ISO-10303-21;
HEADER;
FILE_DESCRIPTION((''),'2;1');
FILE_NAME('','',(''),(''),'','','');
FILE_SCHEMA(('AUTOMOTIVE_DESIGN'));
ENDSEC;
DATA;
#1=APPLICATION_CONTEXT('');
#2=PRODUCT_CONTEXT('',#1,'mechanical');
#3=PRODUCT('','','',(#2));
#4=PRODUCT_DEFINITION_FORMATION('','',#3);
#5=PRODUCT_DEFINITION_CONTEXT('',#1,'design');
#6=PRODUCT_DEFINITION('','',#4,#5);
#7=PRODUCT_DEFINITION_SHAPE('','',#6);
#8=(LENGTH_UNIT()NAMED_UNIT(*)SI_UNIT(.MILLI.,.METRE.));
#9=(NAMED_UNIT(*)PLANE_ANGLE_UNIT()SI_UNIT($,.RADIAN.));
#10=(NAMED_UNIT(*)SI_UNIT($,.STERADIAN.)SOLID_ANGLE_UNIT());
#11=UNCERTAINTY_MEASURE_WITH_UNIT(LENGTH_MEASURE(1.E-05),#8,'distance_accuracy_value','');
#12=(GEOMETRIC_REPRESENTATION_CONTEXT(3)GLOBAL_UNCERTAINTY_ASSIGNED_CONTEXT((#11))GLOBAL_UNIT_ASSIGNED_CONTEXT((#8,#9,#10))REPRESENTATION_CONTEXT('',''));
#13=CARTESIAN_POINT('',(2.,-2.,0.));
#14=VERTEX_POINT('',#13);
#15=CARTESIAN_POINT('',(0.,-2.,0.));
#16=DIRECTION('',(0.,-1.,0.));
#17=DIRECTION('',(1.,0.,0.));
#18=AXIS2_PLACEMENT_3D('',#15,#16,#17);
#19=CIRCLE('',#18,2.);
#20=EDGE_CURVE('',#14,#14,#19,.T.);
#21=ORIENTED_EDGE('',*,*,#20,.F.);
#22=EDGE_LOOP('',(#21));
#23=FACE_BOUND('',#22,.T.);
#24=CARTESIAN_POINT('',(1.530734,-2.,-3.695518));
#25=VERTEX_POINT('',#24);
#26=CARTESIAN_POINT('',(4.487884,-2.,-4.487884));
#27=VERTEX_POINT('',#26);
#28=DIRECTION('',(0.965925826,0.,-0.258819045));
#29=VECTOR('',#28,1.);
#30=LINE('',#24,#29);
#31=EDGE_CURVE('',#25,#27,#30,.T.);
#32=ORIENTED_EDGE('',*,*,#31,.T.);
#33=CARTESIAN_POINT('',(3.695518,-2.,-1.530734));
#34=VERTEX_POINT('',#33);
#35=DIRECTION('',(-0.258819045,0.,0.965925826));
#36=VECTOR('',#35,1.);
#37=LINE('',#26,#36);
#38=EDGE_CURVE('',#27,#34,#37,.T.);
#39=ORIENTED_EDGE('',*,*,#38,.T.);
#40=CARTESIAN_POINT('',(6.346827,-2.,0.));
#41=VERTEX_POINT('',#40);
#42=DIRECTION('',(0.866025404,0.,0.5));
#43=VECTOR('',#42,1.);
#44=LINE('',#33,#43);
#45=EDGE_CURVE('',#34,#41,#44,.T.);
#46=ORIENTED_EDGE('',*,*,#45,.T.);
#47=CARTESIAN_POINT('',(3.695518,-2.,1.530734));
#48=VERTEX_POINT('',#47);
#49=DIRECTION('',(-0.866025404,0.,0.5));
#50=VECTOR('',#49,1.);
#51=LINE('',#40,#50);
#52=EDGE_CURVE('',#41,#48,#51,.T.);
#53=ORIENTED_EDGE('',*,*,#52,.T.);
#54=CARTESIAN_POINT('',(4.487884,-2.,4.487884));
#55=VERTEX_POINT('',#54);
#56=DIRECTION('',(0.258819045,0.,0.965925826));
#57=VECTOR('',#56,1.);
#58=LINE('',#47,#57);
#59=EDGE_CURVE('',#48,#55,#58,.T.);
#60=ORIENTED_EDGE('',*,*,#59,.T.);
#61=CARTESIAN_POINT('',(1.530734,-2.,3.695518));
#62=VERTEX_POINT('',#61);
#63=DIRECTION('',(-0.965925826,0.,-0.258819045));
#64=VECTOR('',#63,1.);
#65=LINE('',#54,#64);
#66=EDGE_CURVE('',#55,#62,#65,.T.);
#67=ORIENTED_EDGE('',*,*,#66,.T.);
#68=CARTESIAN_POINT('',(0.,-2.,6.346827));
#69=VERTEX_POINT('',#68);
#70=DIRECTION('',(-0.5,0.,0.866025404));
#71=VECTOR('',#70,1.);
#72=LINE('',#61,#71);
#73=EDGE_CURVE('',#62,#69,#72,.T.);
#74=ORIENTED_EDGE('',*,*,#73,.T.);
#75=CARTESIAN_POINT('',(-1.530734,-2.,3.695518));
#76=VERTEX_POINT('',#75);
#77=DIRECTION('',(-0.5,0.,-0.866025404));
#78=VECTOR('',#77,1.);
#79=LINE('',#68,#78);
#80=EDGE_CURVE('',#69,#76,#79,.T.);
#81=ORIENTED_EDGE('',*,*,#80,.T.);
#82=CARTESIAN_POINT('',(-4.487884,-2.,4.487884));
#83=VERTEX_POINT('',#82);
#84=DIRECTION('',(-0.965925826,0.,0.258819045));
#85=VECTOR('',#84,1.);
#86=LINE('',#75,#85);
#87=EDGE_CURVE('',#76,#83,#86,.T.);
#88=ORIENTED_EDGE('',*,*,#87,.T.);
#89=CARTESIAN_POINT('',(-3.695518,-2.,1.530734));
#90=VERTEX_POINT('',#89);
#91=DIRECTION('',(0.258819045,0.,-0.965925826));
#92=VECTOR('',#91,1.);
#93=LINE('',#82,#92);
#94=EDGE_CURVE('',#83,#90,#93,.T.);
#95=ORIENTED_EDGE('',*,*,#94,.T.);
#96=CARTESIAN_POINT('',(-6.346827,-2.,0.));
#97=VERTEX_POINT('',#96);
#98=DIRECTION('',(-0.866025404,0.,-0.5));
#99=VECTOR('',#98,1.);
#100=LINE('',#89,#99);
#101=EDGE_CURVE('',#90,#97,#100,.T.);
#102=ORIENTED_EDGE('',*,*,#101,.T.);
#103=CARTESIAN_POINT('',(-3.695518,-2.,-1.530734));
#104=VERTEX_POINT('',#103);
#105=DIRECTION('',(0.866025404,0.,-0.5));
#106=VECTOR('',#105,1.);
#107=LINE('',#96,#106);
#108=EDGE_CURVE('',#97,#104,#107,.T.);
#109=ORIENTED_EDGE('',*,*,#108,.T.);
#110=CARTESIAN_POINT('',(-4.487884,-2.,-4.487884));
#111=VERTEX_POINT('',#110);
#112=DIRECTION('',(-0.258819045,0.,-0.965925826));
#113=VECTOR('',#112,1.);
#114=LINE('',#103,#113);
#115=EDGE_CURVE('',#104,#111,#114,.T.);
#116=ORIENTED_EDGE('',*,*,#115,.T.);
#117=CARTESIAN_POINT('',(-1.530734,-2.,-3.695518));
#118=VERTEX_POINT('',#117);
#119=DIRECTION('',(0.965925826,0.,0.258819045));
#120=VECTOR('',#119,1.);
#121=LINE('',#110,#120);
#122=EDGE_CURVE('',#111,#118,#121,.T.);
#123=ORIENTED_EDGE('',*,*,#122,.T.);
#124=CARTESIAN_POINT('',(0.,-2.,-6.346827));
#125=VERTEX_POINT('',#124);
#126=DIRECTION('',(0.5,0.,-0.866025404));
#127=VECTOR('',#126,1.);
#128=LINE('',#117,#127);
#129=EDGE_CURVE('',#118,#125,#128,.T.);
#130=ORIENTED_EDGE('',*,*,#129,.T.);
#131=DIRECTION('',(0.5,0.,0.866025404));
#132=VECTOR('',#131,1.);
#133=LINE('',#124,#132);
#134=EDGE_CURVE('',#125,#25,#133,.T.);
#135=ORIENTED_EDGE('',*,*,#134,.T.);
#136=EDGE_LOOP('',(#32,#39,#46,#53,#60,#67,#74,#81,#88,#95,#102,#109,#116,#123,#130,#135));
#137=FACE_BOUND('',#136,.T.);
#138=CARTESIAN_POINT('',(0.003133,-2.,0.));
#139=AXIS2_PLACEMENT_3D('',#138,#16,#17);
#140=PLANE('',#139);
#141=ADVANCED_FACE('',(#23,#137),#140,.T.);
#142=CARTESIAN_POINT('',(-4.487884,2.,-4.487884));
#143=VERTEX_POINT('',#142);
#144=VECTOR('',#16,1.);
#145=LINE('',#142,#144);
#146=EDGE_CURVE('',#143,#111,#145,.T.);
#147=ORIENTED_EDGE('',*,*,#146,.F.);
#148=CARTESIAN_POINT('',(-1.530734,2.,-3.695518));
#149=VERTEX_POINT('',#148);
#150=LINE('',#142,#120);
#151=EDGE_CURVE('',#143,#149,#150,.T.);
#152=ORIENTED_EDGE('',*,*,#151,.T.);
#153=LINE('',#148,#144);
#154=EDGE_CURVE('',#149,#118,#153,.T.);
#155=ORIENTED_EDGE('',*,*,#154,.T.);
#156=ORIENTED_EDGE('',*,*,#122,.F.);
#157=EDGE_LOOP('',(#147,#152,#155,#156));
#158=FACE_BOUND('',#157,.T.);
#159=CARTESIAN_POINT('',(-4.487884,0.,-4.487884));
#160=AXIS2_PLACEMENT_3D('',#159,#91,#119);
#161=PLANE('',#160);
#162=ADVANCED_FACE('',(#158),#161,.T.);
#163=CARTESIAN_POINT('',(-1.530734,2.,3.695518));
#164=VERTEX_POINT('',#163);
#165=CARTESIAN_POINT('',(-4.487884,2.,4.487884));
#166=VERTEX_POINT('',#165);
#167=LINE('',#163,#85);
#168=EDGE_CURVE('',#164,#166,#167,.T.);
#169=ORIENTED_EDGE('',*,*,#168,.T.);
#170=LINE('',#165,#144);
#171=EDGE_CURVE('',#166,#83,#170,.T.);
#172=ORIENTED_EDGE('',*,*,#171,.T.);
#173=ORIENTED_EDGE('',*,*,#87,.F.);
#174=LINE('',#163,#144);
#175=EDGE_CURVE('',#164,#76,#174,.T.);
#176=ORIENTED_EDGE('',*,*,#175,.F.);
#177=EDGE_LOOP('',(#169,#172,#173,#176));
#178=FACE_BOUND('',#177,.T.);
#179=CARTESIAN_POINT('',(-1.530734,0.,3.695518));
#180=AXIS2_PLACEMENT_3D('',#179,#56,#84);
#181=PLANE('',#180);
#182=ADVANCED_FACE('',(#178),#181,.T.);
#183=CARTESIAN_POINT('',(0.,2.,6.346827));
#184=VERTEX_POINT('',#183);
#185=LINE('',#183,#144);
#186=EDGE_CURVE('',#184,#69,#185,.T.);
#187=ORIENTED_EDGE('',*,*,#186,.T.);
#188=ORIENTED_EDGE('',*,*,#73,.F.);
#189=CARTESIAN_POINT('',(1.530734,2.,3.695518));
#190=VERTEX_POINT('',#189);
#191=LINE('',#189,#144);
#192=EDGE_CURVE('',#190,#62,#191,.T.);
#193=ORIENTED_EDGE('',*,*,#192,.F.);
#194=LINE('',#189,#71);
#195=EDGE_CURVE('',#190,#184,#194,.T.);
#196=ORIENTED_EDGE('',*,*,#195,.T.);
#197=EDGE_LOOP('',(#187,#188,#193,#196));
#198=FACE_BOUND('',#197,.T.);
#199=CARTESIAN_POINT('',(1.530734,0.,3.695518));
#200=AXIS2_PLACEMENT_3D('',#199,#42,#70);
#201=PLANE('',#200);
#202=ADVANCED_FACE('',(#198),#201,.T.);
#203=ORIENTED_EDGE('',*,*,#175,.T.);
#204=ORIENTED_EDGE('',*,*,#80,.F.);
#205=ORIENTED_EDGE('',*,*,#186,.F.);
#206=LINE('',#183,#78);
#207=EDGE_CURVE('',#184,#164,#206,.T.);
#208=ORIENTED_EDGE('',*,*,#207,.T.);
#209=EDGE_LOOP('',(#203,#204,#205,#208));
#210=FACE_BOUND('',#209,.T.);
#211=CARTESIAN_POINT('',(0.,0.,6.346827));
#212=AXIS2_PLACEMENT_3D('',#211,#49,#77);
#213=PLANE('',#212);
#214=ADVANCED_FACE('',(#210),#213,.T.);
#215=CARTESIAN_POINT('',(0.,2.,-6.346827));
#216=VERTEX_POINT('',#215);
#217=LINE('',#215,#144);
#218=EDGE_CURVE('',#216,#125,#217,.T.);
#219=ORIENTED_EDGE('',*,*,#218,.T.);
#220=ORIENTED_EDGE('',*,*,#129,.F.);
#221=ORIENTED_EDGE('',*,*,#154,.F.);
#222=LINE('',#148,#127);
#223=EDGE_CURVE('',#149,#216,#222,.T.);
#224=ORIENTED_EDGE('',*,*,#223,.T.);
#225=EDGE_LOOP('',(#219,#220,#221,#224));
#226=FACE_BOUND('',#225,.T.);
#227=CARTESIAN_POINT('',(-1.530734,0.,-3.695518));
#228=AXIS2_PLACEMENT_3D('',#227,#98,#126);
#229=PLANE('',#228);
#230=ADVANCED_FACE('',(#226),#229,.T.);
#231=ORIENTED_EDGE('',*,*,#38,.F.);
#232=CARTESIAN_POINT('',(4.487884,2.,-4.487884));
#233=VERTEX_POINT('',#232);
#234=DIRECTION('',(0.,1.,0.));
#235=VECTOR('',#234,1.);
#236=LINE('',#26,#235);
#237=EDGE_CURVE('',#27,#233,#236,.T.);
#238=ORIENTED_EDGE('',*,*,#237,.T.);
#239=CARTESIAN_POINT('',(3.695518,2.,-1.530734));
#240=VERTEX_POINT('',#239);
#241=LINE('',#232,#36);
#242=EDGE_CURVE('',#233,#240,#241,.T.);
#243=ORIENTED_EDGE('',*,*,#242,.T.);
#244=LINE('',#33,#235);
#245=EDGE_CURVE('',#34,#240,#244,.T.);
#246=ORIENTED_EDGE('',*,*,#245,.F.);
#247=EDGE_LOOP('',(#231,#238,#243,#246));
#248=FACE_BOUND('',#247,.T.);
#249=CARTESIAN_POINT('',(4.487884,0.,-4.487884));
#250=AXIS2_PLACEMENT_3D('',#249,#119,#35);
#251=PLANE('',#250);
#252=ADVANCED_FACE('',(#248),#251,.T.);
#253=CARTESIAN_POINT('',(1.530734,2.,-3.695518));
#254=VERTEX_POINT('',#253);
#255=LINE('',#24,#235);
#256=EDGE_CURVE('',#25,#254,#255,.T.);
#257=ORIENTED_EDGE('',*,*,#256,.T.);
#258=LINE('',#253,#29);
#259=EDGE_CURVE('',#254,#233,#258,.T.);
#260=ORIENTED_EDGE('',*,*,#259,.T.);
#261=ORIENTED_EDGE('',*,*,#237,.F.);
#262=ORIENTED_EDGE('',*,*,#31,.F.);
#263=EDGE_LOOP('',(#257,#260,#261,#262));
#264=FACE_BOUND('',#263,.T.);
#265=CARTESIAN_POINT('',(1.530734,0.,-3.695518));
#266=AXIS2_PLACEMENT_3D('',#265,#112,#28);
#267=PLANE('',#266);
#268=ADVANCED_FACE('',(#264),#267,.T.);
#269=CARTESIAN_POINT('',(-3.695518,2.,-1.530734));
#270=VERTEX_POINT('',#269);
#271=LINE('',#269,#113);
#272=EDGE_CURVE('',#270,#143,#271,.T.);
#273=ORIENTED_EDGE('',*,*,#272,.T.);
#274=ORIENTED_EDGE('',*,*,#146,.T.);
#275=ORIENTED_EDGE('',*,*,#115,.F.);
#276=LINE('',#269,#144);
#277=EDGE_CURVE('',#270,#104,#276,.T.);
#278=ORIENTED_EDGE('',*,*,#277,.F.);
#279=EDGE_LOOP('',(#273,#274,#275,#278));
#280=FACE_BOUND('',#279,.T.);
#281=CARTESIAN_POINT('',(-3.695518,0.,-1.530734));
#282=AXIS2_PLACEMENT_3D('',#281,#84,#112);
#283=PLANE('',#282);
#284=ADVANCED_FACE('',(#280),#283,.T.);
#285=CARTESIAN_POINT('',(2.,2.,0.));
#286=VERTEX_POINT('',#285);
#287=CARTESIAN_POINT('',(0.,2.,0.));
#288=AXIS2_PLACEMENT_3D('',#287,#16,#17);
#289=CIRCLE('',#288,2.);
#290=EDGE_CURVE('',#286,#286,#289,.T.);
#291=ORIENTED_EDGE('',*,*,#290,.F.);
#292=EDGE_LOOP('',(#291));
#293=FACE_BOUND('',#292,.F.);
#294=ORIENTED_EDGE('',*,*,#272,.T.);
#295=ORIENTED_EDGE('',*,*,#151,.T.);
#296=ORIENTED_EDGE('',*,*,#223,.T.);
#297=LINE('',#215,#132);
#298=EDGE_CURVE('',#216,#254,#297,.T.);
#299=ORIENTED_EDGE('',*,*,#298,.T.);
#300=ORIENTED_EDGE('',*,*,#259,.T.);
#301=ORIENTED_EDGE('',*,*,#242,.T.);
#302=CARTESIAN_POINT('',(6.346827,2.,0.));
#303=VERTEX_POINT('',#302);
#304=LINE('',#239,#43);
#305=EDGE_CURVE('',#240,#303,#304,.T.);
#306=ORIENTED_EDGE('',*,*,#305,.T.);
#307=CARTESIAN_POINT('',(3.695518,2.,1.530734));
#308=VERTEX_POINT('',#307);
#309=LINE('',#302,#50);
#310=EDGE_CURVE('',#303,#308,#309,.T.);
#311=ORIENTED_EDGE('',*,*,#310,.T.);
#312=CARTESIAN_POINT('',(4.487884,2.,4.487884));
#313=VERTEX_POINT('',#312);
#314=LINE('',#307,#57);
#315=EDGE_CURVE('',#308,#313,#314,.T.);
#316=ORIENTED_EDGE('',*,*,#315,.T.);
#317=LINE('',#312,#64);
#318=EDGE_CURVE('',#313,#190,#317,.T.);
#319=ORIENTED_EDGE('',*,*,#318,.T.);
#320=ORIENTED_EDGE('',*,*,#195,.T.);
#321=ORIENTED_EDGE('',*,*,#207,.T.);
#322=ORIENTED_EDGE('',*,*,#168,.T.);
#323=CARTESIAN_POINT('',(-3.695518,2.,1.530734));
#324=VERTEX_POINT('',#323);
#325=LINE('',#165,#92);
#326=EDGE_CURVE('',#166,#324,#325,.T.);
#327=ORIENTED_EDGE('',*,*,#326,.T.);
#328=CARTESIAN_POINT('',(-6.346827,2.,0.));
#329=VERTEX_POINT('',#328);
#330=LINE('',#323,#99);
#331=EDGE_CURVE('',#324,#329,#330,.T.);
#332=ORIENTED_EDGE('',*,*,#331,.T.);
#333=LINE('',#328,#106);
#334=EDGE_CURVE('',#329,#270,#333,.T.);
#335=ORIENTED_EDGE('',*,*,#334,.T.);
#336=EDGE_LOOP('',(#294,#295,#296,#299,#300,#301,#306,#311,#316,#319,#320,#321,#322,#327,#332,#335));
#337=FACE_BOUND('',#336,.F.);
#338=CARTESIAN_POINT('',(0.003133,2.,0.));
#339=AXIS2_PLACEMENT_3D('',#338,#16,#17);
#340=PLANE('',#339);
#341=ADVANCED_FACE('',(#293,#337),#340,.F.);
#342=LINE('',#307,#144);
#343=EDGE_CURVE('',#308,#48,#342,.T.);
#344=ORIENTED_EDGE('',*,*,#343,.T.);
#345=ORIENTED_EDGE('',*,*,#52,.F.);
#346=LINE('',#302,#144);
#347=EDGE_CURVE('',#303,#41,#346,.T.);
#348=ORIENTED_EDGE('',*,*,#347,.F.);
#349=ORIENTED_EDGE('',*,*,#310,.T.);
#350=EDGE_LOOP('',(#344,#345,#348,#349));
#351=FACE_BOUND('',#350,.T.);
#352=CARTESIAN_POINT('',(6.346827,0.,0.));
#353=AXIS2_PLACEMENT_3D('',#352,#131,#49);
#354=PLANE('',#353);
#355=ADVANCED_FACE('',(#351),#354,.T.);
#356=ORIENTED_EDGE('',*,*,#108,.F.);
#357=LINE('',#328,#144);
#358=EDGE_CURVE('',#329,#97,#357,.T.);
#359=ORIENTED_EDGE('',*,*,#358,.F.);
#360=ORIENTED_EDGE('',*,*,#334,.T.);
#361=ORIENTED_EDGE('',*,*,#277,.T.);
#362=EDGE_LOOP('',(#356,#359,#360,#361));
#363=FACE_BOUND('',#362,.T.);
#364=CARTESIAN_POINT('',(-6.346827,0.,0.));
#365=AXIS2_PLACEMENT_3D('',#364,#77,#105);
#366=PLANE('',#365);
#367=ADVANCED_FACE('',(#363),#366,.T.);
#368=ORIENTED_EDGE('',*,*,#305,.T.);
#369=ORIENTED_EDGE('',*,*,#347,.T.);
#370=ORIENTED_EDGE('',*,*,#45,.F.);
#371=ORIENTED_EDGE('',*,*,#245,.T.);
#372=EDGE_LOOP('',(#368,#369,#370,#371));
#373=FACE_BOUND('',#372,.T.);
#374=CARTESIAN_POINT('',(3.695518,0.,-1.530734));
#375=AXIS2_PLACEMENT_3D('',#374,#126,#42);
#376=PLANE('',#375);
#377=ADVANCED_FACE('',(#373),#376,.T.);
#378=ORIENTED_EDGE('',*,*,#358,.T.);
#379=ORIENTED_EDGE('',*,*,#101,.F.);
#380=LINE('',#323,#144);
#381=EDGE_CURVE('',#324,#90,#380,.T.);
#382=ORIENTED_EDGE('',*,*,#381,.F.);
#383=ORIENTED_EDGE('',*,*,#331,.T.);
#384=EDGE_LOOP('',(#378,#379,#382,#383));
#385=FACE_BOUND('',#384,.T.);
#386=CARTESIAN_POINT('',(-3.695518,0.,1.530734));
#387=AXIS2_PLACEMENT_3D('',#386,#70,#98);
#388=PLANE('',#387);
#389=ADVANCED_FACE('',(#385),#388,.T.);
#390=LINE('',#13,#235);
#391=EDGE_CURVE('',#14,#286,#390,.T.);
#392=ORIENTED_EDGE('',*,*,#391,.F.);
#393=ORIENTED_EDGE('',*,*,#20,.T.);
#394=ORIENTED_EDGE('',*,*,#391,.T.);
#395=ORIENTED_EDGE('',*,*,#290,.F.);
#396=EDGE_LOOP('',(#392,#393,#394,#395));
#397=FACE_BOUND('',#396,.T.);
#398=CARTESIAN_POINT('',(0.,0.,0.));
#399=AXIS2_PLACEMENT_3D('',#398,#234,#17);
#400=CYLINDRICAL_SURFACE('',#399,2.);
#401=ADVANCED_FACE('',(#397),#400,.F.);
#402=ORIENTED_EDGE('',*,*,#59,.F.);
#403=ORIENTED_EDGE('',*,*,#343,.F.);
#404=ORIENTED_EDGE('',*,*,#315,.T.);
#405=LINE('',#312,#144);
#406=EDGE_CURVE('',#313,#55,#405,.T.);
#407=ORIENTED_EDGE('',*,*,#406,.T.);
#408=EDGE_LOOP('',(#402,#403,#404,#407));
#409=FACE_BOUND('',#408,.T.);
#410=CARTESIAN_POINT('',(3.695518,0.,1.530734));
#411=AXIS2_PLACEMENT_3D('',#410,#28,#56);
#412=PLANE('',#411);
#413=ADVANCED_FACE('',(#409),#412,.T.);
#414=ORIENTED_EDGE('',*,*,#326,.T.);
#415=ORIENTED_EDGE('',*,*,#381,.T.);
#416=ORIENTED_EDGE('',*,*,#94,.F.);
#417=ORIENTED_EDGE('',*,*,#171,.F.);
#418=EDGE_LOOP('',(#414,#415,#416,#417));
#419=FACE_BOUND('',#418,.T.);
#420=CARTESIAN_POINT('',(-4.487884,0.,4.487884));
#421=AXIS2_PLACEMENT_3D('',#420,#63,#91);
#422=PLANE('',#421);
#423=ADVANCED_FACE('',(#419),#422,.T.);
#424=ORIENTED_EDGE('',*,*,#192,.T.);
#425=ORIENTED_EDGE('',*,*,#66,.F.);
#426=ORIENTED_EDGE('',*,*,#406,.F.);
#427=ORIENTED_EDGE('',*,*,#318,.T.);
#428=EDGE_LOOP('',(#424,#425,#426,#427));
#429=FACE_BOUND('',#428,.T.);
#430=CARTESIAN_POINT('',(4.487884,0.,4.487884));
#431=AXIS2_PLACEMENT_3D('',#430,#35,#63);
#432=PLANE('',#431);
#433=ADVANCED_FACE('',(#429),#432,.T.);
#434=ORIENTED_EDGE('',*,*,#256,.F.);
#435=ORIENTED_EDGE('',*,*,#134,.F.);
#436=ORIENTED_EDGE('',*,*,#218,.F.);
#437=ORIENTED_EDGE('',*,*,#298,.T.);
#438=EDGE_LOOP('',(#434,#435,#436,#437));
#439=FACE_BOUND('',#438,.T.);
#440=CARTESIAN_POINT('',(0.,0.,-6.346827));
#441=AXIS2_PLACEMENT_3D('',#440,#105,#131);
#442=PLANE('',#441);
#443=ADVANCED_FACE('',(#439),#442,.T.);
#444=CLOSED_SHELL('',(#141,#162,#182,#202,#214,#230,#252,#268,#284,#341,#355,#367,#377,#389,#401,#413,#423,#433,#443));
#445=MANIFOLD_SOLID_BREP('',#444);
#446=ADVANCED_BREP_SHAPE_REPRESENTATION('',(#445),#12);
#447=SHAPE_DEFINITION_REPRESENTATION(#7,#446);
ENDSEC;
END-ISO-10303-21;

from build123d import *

# Parameters (mm, degrees)
F0_R     = 2
F1_DEPTH = 2


with BuildPart() as f1:
    # F0 (on Front) → F1 (new body, symmetric)
    with BuildSketch(Plane.XZ):
        with BuildLine():
            ThreePointArc((3.69551813, -1.5307337295), (3.9231411216, -0.7803612881), (4, 0))
            ThreePointArc((4, 0), (3.9231411216, 0.7803612881), (3.69551813, 1.5307337295))
            ThreePointArc((3.69551813, 1.5307337295), (2.8284271247, 2.8284271247), (1.5307337295, 3.69551813))
            ThreePointArc((1.5307337295, 3.69551813), (0, 4), (-1.5307337295, 3.69551813))
            ThreePointArc((-1.5307337295, 3.69551813), (-2.8284271247, 2.8284271247), (-3.69551813, 1.5307337295))
            ThreePointArc((-3.69551813, 1.5307337295), (-4, 0), (-3.69551813, -1.5307337295))
            ThreePointArc((-3.69551813, -1.5307337295), (-2.8284271247, -2.8284271247), (-1.5307337295, -3.69551813))
            ThreePointArc((-1.5307337295, -3.69551813), (0, -4), (1.5307337295, -3.69551813))
            ThreePointArc((1.5307337295, -3.69551813), (2.8284271247, -2.8284271247), (3.69551813, -1.5307337295))
        make_face()
        Circle(F0_R, mode=Mode.SUBTRACT)
        with BuildLine():
            ThreePointArc((3.69551813, 1.5307337295), (3.9231411216, 0.7803612881), (4, 0))
            ThreePointArc((4, 0), (3.9231411216, -0.7803612881), (3.69551813, -1.5307337295))
            Line((3.69551813, -1.5307337295), (6.3468267223, 0))
            Line((6.3468267223, 0), (3.69551813, 1.5307337295))
        make_face()
        with BuildLine():
            ThreePointArc((1.5307337295, 3.69551813), (2.8284271247, 2.8284271247), (3.69551813, 1.5307337295))
            Line((3.69551813, 1.5307337295), (4.4878842144, 4.4878842144))
            Line((4.4878842144, 4.4878842144), (1.5307337295, 3.69551813))
        make_face()
        with BuildLine():
            Line((4.4878842144, -4.4878842144), (3.69551813, -1.5307337295))
            ThreePointArc((3.69551813, -1.5307337295), (2.8284271247, -2.8284271247), (1.5307337295, -3.69551813))
            Line((1.5307337295, -3.69551813), (4.4878842144, -4.4878842144))
        make_face()
        with BuildLine():
            ThreePointArc((-1.5307337295, 3.69551813), (0, 4), (1.5307337295, 3.69551813))
            Line((1.5307337295, 3.69551813), (0, 6.3468267223))
            Line((0, 6.3468267223), (-1.5307337295, 3.69551813))
        make_face()
        with BuildLine():
            Line((0, -6.3468267223), (1.5307337295, -3.69551813))
            ThreePointArc((1.5307337295, -3.69551813), (0, -4), (-1.5307337295, -3.69551813))
            Line((-1.5307337295, -3.69551813), (0, -6.3468267223))
        make_face()
        with BuildLine():
            ThreePointArc((-3.69551813, 1.5307337295), (-2.8284271247, 2.8284271247), (-1.5307337295, 3.69551813))
            Line((-1.5307337295, 3.69551813), (-4.4878842144, 4.4878842144))
            Line((-4.4878842144, 4.4878842144), (-3.69551813, 1.5307337295))
        make_face()
        with BuildLine():
            Line((-4.4878842144, -4.4878842144), (-1.5307337295, -3.69551813))
            ThreePointArc((-1.5307337295, -3.69551813), (-2.8284271247, -2.8284271247), (-3.69551813, -1.5307337295))
            Line((-3.69551813, -1.5307337295), (-4.4878842144, -4.4878842144))
        make_face()
        with BuildLine():
            ThreePointArc((-3.69551813, -1.5307337295), (-4, 0), (-3.69551813, 1.5307337295))
            Line((-3.69551813, 1.5307337295), (-6.3468267223, 0))
            Line((-6.3468267223, 0), (-3.69551813, -1.5307337295))
        make_face()
    extrude(amount=F1_DEPTH, both=True)


solid = f1.part
